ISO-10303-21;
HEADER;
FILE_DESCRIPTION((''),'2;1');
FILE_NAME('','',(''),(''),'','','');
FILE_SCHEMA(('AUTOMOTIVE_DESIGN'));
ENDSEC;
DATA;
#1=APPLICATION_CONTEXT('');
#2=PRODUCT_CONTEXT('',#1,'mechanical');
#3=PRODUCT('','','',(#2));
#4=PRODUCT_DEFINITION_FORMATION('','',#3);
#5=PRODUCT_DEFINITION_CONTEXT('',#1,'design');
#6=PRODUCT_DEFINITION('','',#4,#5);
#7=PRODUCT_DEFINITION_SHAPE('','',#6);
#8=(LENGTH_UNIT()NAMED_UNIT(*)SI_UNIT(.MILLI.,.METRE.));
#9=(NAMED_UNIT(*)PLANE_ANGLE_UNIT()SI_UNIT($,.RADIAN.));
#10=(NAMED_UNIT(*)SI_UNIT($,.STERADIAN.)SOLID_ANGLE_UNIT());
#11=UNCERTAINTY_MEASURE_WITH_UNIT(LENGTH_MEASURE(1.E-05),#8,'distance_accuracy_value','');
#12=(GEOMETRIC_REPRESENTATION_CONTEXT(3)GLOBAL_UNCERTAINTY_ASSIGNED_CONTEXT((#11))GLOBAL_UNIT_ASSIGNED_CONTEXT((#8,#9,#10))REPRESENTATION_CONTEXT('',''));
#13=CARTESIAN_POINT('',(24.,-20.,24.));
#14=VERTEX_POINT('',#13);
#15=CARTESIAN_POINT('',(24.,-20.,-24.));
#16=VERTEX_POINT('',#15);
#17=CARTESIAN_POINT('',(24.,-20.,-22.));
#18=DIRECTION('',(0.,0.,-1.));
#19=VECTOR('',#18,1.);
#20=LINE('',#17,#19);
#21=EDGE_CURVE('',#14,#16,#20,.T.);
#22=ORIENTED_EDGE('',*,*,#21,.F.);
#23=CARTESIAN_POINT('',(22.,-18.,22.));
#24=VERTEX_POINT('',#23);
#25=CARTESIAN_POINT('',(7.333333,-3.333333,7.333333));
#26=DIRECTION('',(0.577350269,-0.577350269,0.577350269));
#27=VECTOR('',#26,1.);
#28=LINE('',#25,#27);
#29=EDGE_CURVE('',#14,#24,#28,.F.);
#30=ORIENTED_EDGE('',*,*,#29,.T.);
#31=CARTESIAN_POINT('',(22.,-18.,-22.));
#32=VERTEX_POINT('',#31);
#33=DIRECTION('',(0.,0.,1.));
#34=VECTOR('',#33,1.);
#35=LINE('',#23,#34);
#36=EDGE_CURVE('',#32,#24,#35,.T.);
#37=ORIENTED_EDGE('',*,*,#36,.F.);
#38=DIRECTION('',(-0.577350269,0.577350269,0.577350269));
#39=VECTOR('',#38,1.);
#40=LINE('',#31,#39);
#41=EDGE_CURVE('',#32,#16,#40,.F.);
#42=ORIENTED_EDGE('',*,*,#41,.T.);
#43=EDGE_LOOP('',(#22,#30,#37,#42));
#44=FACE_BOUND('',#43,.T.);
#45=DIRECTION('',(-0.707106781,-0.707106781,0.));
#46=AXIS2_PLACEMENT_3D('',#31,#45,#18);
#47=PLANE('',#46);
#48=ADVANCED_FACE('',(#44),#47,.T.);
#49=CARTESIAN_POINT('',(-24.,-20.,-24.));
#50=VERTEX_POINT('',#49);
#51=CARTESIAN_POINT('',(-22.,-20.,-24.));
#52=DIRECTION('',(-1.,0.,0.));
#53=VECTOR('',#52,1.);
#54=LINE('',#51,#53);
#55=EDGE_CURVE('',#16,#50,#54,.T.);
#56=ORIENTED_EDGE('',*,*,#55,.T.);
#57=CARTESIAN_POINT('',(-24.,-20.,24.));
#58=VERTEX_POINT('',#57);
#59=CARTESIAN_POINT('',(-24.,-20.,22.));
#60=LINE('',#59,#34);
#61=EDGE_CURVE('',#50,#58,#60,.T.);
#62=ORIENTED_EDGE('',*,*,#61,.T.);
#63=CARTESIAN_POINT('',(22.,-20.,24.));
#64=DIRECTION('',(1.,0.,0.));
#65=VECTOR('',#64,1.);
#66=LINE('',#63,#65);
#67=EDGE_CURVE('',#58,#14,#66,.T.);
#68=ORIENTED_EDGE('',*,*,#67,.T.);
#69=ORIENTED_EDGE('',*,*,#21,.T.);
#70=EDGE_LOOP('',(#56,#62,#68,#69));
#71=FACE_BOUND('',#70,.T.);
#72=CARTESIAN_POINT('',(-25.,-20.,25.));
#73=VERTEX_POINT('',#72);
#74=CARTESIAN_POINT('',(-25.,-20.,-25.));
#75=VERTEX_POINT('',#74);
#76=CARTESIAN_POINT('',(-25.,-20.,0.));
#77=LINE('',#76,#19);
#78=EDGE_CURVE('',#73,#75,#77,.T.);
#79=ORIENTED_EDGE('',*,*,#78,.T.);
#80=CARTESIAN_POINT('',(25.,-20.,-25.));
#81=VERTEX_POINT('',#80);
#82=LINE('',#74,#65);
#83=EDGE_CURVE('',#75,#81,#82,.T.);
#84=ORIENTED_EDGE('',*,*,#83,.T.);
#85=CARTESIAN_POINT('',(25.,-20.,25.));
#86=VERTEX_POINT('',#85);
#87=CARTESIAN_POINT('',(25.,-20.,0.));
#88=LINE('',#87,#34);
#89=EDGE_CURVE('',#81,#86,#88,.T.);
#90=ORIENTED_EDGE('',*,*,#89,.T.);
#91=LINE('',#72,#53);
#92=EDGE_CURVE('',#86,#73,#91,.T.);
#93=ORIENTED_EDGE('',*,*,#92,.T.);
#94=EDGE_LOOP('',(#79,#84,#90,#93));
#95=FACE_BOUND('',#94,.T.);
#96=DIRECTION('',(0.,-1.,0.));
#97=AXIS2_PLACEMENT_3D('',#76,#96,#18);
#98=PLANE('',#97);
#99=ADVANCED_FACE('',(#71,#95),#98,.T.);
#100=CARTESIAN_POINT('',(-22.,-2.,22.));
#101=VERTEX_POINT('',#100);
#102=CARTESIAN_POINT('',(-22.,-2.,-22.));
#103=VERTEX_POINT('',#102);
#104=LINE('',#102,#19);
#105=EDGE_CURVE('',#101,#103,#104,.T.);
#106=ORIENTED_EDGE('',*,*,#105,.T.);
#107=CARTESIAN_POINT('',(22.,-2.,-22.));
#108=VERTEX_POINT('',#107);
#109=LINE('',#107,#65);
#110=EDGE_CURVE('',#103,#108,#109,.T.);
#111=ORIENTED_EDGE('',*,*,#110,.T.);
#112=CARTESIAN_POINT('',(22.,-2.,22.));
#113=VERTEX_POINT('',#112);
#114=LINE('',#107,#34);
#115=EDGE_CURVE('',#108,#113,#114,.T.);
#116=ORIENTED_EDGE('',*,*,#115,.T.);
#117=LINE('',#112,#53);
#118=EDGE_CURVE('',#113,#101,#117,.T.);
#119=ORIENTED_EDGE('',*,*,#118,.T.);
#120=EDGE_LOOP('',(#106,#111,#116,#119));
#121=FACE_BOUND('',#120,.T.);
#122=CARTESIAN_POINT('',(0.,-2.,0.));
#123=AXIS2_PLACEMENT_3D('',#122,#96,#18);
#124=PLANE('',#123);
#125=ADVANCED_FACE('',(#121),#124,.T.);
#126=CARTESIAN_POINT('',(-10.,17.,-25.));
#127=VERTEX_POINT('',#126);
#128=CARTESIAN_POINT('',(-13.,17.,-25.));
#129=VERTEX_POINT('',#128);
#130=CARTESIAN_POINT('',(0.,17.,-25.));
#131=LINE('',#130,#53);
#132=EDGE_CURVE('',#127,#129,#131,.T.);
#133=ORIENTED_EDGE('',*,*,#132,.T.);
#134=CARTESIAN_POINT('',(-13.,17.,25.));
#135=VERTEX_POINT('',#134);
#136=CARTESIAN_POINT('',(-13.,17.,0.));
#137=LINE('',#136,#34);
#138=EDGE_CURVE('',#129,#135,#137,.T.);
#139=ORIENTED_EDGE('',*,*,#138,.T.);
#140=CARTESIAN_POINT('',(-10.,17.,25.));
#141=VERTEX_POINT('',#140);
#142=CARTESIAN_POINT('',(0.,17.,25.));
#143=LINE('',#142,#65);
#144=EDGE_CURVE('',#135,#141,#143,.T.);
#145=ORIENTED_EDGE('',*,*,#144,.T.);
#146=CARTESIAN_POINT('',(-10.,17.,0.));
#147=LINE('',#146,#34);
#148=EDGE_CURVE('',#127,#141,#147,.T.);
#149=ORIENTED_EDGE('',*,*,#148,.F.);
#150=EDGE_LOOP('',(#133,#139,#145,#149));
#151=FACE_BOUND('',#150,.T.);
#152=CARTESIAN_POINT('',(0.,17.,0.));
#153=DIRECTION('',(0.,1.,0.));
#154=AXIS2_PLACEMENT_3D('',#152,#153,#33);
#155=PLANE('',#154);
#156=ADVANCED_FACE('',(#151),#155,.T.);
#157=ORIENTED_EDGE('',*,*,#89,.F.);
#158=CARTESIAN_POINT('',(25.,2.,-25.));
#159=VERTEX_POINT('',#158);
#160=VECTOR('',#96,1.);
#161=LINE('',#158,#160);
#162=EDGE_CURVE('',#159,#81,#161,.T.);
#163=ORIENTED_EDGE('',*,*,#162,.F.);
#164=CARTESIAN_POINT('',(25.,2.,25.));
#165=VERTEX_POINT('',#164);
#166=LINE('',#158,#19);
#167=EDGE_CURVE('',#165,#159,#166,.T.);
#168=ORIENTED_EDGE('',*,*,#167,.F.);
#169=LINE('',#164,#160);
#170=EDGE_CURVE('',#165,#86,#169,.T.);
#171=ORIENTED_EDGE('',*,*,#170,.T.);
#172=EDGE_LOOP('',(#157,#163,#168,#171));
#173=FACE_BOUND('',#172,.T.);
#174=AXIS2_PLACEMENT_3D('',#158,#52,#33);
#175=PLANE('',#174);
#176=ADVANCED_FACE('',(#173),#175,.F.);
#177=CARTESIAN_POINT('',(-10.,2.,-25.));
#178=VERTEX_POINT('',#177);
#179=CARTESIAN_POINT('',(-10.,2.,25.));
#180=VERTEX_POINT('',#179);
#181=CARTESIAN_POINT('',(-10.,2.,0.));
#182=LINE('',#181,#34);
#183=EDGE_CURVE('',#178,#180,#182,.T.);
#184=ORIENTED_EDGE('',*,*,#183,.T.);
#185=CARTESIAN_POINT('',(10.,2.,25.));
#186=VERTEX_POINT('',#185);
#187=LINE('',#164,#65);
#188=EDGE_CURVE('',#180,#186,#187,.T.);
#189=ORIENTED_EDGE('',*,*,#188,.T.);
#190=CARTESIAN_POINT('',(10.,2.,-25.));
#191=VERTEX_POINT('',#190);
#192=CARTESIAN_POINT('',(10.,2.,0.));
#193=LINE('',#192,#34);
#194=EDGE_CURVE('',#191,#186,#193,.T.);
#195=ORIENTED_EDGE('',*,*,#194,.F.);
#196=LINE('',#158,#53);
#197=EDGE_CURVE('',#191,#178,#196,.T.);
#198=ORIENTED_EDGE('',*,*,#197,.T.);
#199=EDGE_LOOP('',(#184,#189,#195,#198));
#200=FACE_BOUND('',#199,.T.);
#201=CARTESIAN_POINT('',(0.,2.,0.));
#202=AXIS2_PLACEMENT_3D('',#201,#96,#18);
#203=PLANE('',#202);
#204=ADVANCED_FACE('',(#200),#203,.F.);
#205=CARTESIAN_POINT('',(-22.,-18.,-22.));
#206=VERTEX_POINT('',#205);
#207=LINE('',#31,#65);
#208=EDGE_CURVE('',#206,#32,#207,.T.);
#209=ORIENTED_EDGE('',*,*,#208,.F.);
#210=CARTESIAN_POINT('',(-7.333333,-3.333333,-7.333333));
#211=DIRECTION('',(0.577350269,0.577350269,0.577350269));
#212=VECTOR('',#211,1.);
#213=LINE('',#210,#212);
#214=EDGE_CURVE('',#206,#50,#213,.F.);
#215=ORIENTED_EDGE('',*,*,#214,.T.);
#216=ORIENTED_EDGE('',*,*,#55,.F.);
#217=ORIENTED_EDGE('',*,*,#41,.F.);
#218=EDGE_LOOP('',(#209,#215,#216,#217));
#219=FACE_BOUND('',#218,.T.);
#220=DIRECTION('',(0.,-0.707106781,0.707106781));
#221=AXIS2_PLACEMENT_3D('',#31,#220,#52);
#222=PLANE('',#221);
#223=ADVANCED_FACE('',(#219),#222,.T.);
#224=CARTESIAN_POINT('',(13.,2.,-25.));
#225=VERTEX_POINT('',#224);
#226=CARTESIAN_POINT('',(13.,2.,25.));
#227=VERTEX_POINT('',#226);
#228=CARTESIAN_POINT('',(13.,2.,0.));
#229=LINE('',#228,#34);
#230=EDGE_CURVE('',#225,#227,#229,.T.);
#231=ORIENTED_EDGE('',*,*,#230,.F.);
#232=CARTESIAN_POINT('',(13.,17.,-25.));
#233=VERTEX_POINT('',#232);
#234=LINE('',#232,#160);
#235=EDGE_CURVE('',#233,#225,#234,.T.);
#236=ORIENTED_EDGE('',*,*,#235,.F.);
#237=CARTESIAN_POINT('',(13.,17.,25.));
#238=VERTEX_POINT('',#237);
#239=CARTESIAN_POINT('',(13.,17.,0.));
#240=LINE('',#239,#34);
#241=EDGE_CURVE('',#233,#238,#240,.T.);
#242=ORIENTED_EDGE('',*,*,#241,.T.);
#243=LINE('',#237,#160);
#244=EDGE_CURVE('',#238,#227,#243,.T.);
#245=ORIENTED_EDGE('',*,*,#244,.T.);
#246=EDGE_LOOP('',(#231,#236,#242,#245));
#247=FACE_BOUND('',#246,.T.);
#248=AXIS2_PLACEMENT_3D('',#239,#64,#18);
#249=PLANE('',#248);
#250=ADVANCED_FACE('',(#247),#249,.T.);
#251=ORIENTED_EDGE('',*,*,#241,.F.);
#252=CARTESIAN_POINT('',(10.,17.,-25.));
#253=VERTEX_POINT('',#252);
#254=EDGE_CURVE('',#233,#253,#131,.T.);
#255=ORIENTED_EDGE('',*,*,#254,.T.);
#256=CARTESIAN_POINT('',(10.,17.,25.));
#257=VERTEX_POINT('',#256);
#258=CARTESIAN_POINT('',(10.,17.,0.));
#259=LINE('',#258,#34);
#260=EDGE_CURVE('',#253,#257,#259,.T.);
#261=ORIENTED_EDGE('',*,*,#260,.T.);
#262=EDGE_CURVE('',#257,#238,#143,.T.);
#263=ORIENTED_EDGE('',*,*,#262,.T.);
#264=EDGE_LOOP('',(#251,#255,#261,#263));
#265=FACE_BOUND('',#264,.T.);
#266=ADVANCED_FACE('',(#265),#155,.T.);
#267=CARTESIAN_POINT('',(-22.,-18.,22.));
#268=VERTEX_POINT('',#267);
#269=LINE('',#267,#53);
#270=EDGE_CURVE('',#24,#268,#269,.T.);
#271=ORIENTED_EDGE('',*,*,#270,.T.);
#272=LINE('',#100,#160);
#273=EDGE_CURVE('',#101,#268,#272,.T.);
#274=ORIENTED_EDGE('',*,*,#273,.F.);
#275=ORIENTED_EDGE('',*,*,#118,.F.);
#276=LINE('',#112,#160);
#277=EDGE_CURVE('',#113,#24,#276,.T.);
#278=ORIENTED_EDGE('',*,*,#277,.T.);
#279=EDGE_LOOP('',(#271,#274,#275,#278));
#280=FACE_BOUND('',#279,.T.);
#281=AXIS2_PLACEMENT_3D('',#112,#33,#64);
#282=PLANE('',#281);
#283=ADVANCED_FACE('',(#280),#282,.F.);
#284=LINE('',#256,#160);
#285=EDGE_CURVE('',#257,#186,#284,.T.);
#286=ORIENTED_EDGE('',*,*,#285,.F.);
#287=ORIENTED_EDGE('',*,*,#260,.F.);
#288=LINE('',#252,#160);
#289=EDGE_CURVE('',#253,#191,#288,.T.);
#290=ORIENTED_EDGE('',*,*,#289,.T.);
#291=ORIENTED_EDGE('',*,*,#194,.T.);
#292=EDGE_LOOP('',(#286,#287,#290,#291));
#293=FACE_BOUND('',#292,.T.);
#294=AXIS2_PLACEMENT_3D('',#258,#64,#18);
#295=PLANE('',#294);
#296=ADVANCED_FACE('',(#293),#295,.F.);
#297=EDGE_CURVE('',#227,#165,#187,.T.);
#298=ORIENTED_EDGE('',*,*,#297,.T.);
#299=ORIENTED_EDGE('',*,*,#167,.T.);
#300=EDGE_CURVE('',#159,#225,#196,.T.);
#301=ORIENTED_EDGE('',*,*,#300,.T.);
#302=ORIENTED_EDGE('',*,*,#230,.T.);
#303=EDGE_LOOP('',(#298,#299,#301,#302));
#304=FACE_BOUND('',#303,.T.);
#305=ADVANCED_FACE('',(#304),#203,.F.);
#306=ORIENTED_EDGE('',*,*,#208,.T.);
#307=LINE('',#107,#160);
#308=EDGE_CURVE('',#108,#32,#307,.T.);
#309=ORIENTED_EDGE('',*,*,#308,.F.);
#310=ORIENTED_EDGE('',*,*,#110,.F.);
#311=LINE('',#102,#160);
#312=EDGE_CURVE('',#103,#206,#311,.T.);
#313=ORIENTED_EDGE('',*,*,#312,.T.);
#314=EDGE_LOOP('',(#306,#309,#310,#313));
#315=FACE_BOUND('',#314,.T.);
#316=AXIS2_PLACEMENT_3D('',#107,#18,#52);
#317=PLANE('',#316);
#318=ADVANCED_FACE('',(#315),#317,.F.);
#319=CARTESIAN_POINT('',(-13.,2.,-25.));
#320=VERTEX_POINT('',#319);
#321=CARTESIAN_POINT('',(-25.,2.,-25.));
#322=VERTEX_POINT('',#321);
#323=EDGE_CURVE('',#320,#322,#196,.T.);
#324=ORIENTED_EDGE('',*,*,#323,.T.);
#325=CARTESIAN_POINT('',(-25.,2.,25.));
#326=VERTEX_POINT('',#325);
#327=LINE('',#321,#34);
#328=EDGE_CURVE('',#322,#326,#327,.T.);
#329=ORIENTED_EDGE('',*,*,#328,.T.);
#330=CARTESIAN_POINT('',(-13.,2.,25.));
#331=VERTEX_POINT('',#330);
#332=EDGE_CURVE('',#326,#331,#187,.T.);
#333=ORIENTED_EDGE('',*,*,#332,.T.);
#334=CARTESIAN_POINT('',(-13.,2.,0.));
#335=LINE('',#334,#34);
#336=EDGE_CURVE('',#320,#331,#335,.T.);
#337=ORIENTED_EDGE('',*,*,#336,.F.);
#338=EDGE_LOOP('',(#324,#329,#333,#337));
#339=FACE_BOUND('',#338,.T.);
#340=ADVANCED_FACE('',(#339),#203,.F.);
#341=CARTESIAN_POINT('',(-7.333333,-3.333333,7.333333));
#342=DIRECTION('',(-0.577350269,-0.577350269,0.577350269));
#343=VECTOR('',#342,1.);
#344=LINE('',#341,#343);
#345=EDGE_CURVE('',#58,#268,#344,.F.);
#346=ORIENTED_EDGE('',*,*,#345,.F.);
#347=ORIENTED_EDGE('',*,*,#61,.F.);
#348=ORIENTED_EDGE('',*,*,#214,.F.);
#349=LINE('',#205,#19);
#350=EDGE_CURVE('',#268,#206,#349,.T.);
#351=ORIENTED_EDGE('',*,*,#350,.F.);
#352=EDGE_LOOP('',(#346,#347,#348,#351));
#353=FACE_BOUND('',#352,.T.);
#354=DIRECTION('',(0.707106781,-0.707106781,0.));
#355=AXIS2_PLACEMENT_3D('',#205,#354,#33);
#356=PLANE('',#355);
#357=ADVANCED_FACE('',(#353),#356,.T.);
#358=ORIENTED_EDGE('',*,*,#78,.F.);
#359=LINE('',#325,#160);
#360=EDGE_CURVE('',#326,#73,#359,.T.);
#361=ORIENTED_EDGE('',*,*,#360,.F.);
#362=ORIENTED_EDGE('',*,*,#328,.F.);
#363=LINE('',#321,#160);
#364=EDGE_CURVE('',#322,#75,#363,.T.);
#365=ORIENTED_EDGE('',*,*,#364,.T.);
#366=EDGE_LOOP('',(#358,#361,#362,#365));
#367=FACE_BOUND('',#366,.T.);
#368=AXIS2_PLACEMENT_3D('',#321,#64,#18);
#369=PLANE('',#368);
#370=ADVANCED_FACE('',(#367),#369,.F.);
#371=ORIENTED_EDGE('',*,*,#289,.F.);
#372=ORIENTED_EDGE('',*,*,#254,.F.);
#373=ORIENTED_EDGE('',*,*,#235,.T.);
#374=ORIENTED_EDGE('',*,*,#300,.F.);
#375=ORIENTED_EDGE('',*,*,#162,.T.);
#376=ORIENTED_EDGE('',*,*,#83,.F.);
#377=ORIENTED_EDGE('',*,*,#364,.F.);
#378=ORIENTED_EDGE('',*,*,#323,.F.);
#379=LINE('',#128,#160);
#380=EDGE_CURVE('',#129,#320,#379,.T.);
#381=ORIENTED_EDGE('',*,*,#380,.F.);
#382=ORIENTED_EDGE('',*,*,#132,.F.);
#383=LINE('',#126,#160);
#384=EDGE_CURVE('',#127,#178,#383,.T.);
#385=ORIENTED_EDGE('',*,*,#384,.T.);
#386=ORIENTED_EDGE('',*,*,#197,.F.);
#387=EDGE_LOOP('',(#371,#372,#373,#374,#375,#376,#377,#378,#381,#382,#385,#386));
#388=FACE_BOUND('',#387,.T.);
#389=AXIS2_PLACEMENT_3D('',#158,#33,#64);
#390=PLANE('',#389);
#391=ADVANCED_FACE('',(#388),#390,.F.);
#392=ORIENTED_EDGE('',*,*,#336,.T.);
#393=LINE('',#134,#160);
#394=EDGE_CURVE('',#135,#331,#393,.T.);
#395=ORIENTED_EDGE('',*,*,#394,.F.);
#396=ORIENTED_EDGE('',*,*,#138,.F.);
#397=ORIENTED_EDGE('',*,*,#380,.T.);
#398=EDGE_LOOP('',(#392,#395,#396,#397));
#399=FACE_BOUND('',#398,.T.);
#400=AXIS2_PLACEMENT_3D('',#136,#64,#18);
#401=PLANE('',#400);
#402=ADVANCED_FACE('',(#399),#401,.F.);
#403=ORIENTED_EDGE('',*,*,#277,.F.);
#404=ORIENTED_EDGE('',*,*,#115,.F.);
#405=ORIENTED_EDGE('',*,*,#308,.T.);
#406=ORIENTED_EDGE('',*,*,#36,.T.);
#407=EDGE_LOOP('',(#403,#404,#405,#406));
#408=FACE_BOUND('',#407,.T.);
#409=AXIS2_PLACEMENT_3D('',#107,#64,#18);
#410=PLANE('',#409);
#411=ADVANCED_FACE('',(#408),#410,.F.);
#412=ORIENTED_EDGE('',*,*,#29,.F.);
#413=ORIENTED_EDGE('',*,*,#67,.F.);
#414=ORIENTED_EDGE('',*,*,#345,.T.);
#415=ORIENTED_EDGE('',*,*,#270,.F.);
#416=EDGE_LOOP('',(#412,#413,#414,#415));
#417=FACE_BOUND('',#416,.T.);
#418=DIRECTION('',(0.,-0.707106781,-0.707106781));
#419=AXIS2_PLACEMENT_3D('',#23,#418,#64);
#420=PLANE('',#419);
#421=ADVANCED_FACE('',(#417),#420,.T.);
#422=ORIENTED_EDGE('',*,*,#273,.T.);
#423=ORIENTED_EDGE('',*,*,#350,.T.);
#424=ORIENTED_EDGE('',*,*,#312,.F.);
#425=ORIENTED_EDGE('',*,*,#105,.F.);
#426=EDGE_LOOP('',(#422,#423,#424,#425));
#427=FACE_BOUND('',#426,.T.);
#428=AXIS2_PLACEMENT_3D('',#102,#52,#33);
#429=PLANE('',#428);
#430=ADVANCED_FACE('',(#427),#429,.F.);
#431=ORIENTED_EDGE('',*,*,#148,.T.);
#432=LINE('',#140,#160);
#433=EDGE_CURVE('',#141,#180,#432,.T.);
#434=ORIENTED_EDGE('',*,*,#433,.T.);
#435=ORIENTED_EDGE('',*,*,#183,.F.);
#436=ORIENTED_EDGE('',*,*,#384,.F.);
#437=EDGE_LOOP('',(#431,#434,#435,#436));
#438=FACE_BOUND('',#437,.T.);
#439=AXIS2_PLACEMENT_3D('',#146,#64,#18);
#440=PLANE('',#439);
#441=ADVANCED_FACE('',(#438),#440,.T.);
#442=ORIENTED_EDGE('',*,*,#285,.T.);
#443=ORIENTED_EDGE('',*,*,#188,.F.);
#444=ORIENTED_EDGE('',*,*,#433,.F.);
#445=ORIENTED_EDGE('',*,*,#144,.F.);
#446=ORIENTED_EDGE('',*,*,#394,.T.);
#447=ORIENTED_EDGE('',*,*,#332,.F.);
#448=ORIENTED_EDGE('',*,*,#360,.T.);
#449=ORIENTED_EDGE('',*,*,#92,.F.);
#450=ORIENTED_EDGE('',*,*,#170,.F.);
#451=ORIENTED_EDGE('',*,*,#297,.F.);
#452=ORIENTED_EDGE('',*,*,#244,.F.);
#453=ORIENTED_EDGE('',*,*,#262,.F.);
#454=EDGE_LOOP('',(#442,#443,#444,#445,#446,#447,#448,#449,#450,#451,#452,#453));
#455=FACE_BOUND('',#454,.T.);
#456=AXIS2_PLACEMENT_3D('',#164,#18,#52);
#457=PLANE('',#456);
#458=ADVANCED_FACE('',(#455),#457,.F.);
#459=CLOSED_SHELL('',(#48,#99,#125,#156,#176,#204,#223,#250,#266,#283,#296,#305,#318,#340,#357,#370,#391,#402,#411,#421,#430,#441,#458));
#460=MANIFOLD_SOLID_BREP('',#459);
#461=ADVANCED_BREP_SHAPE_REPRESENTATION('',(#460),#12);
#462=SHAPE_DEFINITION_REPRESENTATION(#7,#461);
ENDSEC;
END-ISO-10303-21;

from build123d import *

# Parameters (mm, degrees)
SKETCH_1_W                  = 50
SKETCH_1_H                  = 50
EXTRUDE_1_DEPTH             = 2
SKETCH_2_W                  = 3
SKETCH_2_H                  = 50
EXTRUDE_2_DEPTH             = 15
EXTRUDE_3_DEPTH             = 25
EXTRUDE_3_DEPTH_BACK        = 25
EXTRUDE_4_REACH             = 50.587
EXTRUDE_4_DIRECTION_2_REACH = 50.587
SKETCH_7_W                  = 93.751420651
SKETCH_7_H                  = 87.806812737
SKETCH_7_W_2                = 50
SKETCH_7_H_2                = 50
CUT_EXTRUDE_1_DEPTH         = 25
SKETCH_8_W                  = 44
SKETCH_8_H                  = 44
CUT_EXTRUDE_2_DEPTH         = 18
CHAMFER_1_SIZE              = 2


with BuildPart() as part:
    # 草图1 → 凸台-拉伸1 (new body)
    with BuildSketch(Plane(origin=(0, 0, 0), x_dir=(1, 0, 0), z_dir=(0, 1, 0))):
        Rectangle(SKETCH_1_W, SKETCH_1_H)
    extrude(amount=EXTRUDE_1_DEPTH)

    # 草图2 → 凸台-拉伸2 (add)
    with BuildSketch(Plane(origin=(0, 2, 0), x_dir=(1, 0, 0), z_dir=(0, 1, 0))):
        with Locations((-11.5, 0)):
            Rectangle(SKETCH_2_W, SKETCH_2_H)
        with Locations((11.5, 0)):
            Rectangle(SKETCH_2_W, SKETCH_2_H)
    extrude(amount=EXTRUDE_2_DEPTH)

    # 草图5 → 凸台-拉伸3 (add, two sides: drawn at the far end of the back side and taken through both)
    with BuildSketch(Plane(origin=(0, 0, 0), x_dir=(0, 0, -1), z_dir=(1, 0, 0)).offset(-EXTRUDE_3_DEPTH_BACK)):
        Polygon((25, 0), (0, 0), (0, -20), (36.547005384, -20), align=None)
        Polygon((0, 0), (-25, 0), (-36.547005384, -20), (0, -20), align=None)
    extrude(amount=EXTRUDE_3_DEPTH + EXTRUDE_3_DEPTH_BACK)

    # 凸台-拉伸4: up to this plane
    extrude_4_end = Plane(origin=(-25, 10.825317547, 18.75), z_dir=(0, 0.4999999999999978, 0.86602540378444))
    # 草图6 → 凸台-拉伸4 (add, up to the surface)
    with BuildSketch(Plane.XY, mode=Mode.PRIVATE) as extrude_4_sk1:
        Polygon((-25, 0), (-36.547005384, -20), (-25, -20), align=None)
    extrude_4_tool1 = split(extrude(extrude_4_sk1.sketch, amount=EXTRUDE_4_REACH, mode=Mode.PRIVATE), bisect_by=extrude_4_end, keep=Keep.BOTH, mode=Mode.PRIVATE)
    extrude_4 = extrude_4_tool1.solids().sort_by_distance((-28.849002, -13.333333, 0))[0]
    add(extrude_4)

    # 凸台-拉伸4 direction 2: up to this plane
    extrude_4_direction_2_end = Plane(origin=(-25, 10.825317547, -18.75), z_dir=(0, -0.4999999999999978, 0.86602540378444))
    # 草图6 → 凸台-拉伸4 direction 2 (add, up to the surface)
    with BuildSketch(Plane.XY, mode=Mode.PRIVATE) as extrude_4_direction_2_sk1:
        Polygon((-25, 0), (-36.547005384, -20), (-25, -20), align=None)
    extrude_4_direction_2_tool1 = split(extrude(extrude_4_direction_2_sk1.sketch, amount=-EXTRUDE_4_DIRECTION_2_REACH, mode=Mode.PRIVATE), bisect_by=extrude_4_direction_2_end, keep=Keep.BOTH, mode=Mode.PRIVATE)
    extrude_4_direction_2 = extrude_4_direction_2_tool1.solids().sort_by_distance((-28.849002, -13.333333, 0))[0]
    add(extrude_4_direction_2)
    extrude_4 = extrude_4 + extrude_4_direction_2  # both directions under the feature's name, for the pattern or mirror that repeats it

    # 镜向1: 凸台-拉伸4 across plane
    add(extrude_4.mirror(Plane(origin=(0, 0, 0), x_dir=(0, 0, 1), z_dir=(1, 0, 0))))

    # 草图7 → 切除-拉伸1 (cut)
    with BuildSketch(Plane(origin=(0, 2, 0), x_dir=(1, 0, 0), z_dir=(0, 1, 0))):
        with Locations((6.640722021, -2.029388647)):
            Rectangle(SKETCH_7_W, SKETCH_7_H)
        Rectangle(SKETCH_7_W_2, SKETCH_7_H_2, mode=Mode.SUBTRACT)
    extrude(amount=-CUT_EXTRUDE_1_DEPTH, mode=Mode.SUBTRACT)

    # 草图8 → 切除-拉伸2 (cut)
    with BuildSketch(Plane.XZ.offset(20)):
        Rectangle(SKETCH_8_W, SKETCH_8_H)
    extrude(amount=-CUT_EXTRUDE_2_DEPTH, mode=Mode.SUBTRACT)

    # 倒角1
    chamfer_1_edges = [part.edges().sort_by_distance(p)[0] for p in [
        (-22, -20, 0),
        (0, -20, -22),
        (22, -20, 0),
        (0, -20, 22),
    ]]
    chamfer(chamfer_1_edges, length=CHAMFER_1_SIZE)


solid = part.part
